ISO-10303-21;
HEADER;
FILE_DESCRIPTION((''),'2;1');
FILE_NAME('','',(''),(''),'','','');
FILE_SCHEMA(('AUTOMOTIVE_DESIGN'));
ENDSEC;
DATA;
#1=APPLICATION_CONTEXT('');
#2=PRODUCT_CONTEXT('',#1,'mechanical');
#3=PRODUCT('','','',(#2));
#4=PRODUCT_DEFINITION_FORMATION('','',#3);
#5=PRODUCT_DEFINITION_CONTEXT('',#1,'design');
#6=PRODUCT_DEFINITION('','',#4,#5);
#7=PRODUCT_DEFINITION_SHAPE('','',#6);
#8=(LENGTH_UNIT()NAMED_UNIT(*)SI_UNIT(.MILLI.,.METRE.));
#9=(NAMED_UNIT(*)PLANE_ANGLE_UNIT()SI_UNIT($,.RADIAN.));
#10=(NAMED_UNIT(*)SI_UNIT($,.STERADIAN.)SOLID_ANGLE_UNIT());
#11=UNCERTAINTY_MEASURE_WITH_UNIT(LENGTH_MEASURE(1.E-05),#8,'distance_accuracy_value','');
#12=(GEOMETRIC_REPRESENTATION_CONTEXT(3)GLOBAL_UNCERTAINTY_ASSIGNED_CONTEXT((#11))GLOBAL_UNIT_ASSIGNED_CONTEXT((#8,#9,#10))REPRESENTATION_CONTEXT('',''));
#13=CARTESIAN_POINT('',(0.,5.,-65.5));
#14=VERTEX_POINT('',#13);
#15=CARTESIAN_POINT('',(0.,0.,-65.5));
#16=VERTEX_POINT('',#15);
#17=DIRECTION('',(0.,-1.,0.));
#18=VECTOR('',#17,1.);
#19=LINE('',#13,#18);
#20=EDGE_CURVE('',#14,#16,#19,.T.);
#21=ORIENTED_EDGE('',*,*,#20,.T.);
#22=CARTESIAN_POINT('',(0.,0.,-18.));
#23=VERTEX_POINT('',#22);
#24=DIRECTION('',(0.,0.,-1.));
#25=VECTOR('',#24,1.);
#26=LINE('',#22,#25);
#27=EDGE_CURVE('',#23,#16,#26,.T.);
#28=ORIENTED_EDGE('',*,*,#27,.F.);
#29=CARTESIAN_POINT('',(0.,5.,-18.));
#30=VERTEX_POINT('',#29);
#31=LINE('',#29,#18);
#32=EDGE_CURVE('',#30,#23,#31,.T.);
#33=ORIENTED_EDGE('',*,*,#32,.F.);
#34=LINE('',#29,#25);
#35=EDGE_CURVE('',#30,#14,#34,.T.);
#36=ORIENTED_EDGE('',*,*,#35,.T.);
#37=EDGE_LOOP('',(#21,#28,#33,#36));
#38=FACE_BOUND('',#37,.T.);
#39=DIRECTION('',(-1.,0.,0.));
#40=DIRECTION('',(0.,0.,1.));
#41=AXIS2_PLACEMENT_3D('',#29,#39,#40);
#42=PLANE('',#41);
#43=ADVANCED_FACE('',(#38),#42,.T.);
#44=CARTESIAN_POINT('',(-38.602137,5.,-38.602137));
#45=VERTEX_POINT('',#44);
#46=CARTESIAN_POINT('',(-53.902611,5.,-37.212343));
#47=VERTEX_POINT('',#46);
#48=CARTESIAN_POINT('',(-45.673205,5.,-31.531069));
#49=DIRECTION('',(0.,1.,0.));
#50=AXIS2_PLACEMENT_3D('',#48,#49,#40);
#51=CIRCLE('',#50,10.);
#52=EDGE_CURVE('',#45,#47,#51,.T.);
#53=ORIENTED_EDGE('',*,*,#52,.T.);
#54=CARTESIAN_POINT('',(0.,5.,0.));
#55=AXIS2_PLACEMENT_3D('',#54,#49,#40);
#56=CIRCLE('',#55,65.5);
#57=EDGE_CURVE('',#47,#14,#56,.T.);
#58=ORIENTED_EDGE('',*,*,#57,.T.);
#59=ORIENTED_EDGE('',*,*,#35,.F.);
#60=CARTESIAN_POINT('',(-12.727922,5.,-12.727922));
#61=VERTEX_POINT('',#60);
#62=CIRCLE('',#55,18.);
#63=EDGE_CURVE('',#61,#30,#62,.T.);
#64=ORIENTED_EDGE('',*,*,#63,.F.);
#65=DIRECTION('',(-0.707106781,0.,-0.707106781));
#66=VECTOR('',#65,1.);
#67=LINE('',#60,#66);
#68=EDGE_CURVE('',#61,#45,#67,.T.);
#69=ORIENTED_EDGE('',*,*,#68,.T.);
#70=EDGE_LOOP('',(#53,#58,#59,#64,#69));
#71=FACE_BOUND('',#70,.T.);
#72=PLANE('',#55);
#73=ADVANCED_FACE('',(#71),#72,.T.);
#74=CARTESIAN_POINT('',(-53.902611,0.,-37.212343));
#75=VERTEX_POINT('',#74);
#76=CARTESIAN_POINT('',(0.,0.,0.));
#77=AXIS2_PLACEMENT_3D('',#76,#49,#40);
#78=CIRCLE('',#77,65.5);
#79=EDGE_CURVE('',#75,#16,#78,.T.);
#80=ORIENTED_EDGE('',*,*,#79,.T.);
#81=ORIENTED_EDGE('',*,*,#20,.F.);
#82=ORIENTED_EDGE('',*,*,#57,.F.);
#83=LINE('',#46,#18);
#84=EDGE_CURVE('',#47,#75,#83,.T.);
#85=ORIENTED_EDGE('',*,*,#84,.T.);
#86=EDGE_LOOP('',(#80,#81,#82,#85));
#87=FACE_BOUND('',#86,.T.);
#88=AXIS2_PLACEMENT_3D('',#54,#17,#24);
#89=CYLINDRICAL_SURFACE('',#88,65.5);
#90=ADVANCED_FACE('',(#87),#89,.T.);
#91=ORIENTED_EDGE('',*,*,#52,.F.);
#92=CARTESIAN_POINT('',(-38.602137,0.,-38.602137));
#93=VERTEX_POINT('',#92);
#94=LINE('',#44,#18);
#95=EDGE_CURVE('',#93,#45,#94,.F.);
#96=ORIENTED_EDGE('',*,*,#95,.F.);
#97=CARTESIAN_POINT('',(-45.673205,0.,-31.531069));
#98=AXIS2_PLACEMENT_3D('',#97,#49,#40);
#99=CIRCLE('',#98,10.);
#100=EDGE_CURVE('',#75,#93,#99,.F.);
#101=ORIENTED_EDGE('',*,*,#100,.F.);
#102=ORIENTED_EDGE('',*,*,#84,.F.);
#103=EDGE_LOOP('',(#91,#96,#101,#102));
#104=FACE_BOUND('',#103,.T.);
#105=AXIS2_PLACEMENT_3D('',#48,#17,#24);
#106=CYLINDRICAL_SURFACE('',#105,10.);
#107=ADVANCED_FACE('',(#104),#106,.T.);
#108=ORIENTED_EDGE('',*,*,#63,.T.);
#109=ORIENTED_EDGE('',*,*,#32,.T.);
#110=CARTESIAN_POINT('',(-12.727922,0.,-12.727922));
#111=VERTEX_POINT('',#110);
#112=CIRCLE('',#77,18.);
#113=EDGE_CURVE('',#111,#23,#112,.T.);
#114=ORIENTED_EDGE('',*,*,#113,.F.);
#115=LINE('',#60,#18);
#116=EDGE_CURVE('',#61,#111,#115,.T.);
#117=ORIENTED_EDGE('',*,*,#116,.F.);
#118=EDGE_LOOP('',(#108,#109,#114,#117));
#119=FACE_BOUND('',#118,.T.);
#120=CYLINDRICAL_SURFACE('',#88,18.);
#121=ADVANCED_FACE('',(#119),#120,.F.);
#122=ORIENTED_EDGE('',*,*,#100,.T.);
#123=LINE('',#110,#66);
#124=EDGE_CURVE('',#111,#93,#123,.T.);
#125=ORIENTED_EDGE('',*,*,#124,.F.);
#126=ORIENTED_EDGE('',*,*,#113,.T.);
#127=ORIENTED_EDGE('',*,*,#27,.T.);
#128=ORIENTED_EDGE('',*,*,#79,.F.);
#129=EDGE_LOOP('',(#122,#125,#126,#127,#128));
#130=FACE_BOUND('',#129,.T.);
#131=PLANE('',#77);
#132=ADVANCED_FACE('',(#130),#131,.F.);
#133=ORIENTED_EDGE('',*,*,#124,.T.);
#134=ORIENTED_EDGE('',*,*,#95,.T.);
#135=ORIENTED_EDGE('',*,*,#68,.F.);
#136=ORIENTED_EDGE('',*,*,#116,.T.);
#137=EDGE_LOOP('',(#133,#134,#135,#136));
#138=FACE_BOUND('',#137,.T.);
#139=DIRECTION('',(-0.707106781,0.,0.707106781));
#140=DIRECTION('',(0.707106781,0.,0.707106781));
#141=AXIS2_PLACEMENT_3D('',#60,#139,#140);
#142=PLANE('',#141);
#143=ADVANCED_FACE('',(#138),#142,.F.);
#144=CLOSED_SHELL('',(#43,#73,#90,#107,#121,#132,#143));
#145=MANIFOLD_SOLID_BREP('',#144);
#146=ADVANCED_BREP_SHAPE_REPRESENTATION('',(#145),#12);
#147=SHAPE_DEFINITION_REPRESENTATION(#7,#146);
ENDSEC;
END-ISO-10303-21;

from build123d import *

# Parameters (mm, degrees)
EXTRUDE_1_DEPTH = 5
FILLET_1_R      = 10


with BuildPart() as part:
    # Эскиз1 → Бобышка-Вытянуть1 (new body)
    with BuildSketch(Plane(origin=(0, 0, 0), x_dir=(1, 0, 0), z_dir=(0, 1, 0))):
        with BuildLine():
            Line((-12.727922061, 12.727922061), (-46.315494168, 46.315494168))
            ThreePointArc((-46.315494168, 46.315494168), (25.06576482, -60.514109379), (0, 65.5))
            Line((0, 65.5), (0, 18))
            ThreePointArc((0, 18), (6.888301783, -16.629831585), (-12.727922061, 12.727922061))
        make_face()
    extrude(amount=EXTRUDE_1_DEPTH)

    # Скругление1
    fillet_1_edges = [part.edges().sort_by_distance(p)[0] for p in [
        (-46.315494168, 2.5, -46.315494168),
    ]]
    fillet(fillet_1_edges, radius=FILLET_1_R)


solid = part.part
